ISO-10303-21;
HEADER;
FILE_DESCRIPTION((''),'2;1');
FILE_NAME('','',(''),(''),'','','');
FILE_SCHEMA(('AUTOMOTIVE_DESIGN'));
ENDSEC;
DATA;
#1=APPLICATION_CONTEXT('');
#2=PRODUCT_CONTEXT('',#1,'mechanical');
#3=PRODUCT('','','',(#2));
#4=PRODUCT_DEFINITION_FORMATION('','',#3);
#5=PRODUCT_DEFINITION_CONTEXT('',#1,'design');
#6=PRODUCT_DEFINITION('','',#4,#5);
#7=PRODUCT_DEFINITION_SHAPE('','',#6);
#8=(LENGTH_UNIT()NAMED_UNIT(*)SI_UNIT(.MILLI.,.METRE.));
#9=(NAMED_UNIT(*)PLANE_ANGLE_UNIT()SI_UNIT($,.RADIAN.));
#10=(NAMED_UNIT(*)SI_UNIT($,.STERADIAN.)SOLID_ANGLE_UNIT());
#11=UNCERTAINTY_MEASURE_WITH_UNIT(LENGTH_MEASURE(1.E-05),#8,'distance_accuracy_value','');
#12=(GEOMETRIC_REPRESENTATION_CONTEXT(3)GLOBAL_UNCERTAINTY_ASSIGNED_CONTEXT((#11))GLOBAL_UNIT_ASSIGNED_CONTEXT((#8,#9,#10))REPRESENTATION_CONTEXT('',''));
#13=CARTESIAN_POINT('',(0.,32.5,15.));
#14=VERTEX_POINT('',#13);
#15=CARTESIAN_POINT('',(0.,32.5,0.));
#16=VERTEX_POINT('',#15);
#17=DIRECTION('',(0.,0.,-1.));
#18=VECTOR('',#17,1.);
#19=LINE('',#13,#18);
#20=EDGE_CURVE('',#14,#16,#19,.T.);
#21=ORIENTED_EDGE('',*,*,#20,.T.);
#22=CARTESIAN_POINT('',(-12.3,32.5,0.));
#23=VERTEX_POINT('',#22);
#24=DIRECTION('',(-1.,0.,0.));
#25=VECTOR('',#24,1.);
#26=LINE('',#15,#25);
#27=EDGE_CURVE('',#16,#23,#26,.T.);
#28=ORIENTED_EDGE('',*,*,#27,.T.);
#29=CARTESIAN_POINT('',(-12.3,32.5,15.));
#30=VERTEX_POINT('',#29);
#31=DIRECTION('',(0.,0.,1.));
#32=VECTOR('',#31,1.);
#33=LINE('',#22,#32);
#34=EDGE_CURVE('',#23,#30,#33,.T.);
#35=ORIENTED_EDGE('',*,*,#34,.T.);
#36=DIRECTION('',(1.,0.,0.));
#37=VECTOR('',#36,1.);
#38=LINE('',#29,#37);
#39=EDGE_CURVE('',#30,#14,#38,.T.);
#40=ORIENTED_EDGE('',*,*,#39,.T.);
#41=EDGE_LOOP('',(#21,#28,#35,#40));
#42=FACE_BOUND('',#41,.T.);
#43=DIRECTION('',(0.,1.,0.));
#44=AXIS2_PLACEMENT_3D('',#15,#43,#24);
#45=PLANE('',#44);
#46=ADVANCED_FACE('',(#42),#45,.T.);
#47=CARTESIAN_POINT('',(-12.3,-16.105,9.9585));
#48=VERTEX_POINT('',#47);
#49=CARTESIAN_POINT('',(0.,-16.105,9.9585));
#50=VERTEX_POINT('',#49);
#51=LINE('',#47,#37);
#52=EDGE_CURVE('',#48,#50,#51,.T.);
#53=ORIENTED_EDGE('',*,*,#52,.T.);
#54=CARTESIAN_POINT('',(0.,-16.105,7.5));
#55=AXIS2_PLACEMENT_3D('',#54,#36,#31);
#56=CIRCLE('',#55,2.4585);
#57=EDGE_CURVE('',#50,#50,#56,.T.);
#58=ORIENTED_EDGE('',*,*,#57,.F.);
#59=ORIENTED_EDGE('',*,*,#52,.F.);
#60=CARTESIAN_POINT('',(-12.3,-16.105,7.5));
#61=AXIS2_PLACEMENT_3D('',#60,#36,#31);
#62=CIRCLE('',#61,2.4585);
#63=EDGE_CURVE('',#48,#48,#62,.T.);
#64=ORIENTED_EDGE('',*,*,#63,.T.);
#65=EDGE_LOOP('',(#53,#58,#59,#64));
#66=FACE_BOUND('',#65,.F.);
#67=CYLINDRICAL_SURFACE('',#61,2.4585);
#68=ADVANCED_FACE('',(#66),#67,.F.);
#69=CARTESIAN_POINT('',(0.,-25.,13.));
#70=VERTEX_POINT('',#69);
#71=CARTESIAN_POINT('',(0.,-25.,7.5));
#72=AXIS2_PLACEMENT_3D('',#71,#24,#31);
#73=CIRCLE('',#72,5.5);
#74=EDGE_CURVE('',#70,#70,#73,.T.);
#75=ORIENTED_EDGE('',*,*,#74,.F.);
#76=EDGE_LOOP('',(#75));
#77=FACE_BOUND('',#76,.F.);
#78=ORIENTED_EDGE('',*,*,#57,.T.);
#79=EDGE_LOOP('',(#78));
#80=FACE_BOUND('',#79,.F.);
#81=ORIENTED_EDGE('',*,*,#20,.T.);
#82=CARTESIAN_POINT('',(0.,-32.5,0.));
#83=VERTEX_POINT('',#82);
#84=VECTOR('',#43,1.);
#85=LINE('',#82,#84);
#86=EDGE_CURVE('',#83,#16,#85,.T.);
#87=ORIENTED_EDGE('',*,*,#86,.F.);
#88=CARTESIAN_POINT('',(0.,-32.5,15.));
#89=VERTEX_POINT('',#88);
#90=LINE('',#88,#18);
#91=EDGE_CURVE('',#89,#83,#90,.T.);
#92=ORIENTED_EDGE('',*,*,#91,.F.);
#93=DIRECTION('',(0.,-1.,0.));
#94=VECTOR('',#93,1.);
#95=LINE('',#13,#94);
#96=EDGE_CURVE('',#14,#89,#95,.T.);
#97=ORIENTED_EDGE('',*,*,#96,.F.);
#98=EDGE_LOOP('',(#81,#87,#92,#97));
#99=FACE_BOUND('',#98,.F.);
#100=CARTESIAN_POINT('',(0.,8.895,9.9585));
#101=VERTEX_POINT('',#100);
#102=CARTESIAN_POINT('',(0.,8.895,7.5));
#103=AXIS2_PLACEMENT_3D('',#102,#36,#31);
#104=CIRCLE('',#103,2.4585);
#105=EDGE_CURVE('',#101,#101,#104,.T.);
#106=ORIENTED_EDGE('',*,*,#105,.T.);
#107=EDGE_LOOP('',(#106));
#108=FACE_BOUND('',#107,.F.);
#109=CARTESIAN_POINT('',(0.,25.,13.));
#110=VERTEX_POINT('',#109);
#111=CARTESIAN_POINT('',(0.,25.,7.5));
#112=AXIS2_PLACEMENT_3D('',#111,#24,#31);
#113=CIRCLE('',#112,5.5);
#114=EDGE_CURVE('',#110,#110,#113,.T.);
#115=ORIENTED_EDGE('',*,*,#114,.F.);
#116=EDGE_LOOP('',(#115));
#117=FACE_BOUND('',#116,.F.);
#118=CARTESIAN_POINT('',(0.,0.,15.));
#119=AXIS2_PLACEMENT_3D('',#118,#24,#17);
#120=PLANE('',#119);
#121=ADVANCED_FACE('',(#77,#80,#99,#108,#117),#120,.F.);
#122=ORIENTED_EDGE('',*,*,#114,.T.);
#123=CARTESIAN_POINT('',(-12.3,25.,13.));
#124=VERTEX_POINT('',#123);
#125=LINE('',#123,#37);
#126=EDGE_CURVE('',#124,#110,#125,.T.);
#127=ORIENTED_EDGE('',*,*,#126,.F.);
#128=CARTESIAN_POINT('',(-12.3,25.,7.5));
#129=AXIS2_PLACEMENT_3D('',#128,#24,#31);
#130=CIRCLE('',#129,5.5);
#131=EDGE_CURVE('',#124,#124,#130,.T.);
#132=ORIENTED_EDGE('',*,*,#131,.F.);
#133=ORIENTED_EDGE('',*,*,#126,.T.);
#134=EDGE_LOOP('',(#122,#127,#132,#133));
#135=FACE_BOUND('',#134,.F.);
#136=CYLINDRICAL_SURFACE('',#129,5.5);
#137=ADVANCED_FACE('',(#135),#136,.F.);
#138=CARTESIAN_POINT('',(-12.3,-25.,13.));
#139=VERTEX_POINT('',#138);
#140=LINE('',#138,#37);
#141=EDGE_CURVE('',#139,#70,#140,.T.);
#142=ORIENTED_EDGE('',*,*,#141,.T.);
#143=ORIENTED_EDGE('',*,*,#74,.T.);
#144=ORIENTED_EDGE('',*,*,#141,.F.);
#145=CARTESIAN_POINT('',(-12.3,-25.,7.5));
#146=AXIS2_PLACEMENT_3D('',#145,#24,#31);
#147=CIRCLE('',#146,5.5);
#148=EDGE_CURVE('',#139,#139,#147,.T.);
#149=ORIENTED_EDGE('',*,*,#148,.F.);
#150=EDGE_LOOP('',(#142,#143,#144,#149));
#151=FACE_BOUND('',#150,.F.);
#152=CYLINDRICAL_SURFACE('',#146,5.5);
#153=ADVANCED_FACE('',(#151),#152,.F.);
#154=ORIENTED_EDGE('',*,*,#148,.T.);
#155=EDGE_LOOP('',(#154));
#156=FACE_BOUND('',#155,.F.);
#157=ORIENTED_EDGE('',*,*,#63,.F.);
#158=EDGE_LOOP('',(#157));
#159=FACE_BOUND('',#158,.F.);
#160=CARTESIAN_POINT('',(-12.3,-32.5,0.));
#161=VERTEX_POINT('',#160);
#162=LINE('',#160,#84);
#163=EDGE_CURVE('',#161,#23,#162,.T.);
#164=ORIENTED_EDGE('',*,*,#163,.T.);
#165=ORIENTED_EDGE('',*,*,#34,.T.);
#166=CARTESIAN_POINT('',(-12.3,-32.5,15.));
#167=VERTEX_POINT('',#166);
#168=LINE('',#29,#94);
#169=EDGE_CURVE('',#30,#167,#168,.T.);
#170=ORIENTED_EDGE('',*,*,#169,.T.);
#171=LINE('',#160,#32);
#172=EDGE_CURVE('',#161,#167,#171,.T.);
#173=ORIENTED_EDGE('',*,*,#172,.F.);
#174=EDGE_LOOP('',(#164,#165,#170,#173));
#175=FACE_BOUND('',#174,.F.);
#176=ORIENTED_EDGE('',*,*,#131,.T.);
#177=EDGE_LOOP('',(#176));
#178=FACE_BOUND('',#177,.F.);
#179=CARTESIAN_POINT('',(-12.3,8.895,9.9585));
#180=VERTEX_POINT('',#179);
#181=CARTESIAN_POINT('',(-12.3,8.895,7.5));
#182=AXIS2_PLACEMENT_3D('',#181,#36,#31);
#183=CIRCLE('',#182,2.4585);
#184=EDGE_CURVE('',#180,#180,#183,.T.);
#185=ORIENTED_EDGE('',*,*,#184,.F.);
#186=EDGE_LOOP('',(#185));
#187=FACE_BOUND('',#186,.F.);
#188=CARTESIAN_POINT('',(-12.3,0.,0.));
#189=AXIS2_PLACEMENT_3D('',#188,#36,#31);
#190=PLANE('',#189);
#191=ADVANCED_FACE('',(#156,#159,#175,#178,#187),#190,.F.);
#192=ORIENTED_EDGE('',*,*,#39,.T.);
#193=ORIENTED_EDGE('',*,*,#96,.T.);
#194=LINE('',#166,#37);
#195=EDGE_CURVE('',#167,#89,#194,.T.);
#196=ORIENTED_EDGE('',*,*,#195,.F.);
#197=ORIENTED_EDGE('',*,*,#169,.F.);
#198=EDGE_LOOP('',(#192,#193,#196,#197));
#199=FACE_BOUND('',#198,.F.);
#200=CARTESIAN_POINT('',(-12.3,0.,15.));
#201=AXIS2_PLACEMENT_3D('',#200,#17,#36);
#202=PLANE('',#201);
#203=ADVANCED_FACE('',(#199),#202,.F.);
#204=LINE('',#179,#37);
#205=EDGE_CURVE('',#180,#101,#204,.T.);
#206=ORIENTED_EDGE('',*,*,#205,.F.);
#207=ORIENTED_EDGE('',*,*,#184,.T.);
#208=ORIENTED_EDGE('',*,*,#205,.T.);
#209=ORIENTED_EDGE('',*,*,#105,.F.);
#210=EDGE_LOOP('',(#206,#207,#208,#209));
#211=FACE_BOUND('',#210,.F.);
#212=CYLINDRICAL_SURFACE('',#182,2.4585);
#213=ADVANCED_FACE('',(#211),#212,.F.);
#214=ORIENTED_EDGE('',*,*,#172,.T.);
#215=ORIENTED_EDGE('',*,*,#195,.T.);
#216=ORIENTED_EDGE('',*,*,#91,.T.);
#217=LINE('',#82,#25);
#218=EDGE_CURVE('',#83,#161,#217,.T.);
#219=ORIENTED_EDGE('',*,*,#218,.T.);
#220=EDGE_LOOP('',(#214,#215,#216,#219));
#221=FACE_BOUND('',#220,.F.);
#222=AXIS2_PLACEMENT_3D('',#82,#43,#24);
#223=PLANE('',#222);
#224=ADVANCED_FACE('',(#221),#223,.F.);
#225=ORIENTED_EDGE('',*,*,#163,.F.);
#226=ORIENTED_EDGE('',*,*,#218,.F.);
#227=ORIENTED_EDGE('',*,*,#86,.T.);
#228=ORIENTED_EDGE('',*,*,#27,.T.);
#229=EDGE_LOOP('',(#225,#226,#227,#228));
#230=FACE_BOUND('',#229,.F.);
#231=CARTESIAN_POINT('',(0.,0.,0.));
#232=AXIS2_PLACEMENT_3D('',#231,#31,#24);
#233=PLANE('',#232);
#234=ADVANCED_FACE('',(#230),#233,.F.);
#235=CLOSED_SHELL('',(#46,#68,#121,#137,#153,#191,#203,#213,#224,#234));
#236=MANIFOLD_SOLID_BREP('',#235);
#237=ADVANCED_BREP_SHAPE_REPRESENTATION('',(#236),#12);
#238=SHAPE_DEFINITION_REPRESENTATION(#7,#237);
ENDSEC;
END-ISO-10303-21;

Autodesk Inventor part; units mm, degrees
ref_plane "YZ Plane" through (0, 0, 0) normal (1, 0, 0) x (0, 1, 0)
ref_plane "XZ Plane" through (0, 0, 0) normal (0, 1, 0) x (-1, 0, 0)
ref_plane "XY Plane" through (0, 0, 0) normal (0, 0, 1) x (1, 0, 0)
sketch "Sketch1" plane through (0, 0, 0) normal (0, 1, 0) x (-1, 0, 0)
  line L0 (0, 0) -> (12.3, 0)
  line L1 (12.3, 0) -> (12.3, 15)
  line L2 (12.3, 15) -> (0, 15)
  line L3 (0, 15) -> (0, 0)
  dimension "d0" = 15
  dimension "d1" = 12.3
extrude "Extrusion1" add sketch "Sketch1" along normal mid plane 65
sketch "Sketch2" plane through (-12.3, -32.5, 15) normal (-1, 0, 0) x (0, 0, 1)
  circle A0 centre (-7.5, 7.5) radius 3.25
  circle A1 centre (-7.5, 57.5) radius 3.25
  circle A2 centre (-7.5, 7.5) radius 5.5
  circle A3 centre (-7.5, 57.5) radius 5.5
  line L0 (0, 0) -> (-15, 0) projected
  line L1 (-15, 32.5) -> (12.3047, 32.5) construction
  dimension "d4" = 6.5
  dimension "d5" = 6.5
  dimension "d8" = 11
  dimension "d9" = 11
  dimension "d26" = 25
  dimension "d27" = 25
extrude "Extrusion2" cut sketch "Sketch2" against normal through all contours A0 | A1
extrude "Extrusion3" cut sketch "Sketch2" against normal blind 21.3
sketch "Sketch3" plane through (-12.3, -32.5, 15) normal (-1, 0, 0) x (0, 0, 1)
  circle A0 centre (-7.5, 16.395) radius 3
  line L0 (0, 0) -> (-15, 0) projected
  circle A1 centre (-7.5, 41.395) radius 3
  point P0 (-15, 32.5)
  dimension "d14" = 6
  dimension "d22" = 16.395
  dimension "d23" = 6
  dimension "d24" = 25
hole "Hole1" at (-12.3, -16.105, 7.5) at (-12.3, 8.895, 7.5) direction (1, 0, 0) diameter 4.917 depth 15.1 tip angle 118 thread size "M6x1" class "6H" standard "ANSI Metric M Profile"
sketch "Sketch4" plane through (-12.3, -32.5, 15) normal (-1, 0, 0) x (0, 0, 1)
  point P0 (-15, 32.5)
properties part number "HeadbarHolderBracket_v2" material "Aluminum 6061"
